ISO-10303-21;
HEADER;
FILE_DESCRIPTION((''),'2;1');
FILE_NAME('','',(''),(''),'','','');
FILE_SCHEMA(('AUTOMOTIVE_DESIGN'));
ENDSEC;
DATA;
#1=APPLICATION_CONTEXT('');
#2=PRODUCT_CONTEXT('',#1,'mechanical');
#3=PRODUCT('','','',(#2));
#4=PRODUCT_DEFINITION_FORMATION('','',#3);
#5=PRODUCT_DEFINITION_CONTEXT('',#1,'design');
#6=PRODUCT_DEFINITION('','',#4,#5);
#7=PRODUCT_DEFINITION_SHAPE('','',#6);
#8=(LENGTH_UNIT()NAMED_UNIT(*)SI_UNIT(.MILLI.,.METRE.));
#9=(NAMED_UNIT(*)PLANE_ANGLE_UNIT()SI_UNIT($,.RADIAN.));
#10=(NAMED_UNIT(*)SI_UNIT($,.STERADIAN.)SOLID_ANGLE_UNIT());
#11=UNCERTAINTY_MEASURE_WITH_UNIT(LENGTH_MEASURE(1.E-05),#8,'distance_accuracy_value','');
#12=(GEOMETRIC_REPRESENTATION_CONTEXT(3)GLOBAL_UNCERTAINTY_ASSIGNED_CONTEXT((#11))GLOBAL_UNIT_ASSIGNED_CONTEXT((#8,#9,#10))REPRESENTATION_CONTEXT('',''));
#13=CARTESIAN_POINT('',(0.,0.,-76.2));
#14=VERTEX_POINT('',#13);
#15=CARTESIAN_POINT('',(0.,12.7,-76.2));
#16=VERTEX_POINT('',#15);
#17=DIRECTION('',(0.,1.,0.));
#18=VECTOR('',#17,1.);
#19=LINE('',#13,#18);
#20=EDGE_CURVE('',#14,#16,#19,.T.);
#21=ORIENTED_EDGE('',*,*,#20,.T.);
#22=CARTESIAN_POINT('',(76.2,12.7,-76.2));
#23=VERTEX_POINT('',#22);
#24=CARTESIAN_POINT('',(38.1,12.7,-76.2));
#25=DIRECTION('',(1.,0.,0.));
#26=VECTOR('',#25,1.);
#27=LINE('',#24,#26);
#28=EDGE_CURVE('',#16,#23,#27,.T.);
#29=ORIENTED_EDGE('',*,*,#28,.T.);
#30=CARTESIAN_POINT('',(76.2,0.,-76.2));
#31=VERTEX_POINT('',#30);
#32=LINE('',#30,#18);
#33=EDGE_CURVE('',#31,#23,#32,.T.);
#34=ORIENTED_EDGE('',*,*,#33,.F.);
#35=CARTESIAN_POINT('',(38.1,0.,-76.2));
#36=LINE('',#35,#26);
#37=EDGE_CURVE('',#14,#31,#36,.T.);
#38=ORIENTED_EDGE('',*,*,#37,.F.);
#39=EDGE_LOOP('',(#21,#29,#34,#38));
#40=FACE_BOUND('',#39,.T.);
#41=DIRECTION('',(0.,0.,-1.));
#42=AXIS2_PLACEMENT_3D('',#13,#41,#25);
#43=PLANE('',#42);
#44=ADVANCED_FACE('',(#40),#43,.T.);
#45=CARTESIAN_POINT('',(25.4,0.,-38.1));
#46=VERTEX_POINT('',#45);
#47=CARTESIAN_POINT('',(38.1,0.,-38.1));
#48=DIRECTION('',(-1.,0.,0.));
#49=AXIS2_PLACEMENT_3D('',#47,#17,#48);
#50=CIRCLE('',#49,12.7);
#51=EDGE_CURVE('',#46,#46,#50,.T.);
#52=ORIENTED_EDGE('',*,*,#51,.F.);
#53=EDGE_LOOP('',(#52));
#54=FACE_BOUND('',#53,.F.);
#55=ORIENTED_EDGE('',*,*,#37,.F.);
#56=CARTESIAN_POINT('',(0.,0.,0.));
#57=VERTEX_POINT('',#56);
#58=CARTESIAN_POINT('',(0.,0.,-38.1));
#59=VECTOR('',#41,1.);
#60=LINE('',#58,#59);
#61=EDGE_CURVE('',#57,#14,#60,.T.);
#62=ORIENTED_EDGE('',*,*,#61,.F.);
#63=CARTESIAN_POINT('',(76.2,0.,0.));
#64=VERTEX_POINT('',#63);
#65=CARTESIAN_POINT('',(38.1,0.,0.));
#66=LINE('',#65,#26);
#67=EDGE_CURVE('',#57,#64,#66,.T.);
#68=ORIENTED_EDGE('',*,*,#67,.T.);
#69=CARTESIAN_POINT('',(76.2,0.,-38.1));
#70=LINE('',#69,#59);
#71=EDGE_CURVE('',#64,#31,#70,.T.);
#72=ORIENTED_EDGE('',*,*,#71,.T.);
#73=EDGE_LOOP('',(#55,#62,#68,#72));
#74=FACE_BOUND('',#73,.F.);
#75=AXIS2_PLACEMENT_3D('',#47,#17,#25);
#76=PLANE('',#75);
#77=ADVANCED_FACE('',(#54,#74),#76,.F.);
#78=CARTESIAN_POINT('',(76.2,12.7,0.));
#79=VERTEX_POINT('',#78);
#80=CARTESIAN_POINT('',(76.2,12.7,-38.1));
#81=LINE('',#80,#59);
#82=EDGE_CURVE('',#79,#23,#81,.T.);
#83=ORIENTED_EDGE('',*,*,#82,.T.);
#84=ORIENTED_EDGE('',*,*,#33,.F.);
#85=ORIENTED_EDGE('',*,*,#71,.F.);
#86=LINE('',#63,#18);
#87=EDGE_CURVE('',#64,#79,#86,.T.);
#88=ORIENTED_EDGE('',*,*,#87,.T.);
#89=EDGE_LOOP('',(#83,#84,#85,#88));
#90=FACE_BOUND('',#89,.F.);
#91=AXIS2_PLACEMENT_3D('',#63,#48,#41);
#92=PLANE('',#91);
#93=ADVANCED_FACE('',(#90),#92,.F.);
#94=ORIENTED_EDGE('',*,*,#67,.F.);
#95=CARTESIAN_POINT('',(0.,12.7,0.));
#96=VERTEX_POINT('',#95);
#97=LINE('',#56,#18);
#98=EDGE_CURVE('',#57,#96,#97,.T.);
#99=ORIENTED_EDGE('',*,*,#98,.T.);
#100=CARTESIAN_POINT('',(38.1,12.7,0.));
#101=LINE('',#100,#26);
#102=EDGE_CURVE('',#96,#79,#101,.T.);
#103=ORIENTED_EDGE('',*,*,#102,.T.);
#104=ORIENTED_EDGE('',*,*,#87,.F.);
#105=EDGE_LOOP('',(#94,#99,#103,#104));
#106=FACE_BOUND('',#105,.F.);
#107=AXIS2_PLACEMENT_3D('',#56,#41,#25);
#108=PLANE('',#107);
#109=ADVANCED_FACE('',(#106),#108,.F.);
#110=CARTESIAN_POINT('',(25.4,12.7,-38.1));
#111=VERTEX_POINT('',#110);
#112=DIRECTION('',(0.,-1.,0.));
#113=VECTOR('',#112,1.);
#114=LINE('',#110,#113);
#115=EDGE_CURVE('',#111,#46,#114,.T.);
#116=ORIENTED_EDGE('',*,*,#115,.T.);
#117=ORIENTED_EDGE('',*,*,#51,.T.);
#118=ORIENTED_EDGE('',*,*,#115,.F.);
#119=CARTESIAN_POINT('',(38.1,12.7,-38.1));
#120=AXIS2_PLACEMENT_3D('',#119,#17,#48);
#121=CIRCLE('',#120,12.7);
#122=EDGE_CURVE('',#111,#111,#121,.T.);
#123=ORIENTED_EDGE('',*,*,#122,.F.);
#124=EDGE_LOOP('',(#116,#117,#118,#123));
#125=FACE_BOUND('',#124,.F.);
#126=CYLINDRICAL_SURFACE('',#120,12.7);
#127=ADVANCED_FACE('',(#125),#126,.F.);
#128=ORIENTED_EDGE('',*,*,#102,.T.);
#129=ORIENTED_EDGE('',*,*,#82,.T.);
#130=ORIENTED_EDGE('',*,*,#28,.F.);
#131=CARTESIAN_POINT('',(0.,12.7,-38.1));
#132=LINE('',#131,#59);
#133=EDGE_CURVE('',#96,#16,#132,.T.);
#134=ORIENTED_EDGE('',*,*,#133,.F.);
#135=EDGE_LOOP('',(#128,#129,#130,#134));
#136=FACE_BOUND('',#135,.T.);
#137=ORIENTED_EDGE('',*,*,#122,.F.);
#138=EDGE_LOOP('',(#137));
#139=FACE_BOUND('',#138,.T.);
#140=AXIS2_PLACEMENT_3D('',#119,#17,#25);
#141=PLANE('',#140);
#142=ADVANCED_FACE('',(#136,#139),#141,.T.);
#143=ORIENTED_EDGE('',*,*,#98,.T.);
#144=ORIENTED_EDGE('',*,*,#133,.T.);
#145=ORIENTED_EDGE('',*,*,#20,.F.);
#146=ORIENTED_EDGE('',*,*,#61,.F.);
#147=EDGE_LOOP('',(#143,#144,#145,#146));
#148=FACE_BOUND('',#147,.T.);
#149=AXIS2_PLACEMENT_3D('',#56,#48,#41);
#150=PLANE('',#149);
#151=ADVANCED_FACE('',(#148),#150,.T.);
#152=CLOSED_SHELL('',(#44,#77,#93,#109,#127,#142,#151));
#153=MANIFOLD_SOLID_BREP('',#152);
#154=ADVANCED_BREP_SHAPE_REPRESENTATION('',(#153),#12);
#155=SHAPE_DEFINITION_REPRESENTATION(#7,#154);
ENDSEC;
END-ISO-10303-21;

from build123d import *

# Parameters (mm, degrees)
SKETCH1_W           = 76.2
SKETCH1_H           = 76.2
BOSS_EXTRUDE1_DEPTH = 12.7
CUT_EXTRUDE1_REACH  = 14.7
SKETCH2_R           = 12.7


with BuildPart() as part:
    # Sketch1 → Boss-Extrude1 (new body)
    with BuildSketch(Plane(origin=(0, 0, 0), x_dir=(1, 0, 0), z_dir=(0, 1, 0))):
        with Locations((38.1, 38.1)):
            Rectangle(SKETCH1_W, SKETCH1_H)
    extrude(amount=BOSS_EXTRUDE1_DEPTH)

    # Sketch2 → Cut-Extrude1 (cut, up to next)
    with BuildSketch(Plane(origin=(0, 12.7, 0), x_dir=(-1, 0, 0), z_dir=(0, 1, 0)), mode=Mode.PRIVATE) as cut_extrude1_sk1:
        with Locations((-38.1, -38.1)):
            Circle(SKETCH2_R)
    cut_extrude1_tool1 = extrude(cut_extrude1_sk1.sketch, amount=-CUT_EXTRUDE1_REACH, mode=Mode.PRIVATE) & part.part
    add(cut_extrude1_tool1.solids().sort_by_distance((38.1, 12.7, -38.1))[0], mode=Mode.SUBTRACT)


solid = part.part
